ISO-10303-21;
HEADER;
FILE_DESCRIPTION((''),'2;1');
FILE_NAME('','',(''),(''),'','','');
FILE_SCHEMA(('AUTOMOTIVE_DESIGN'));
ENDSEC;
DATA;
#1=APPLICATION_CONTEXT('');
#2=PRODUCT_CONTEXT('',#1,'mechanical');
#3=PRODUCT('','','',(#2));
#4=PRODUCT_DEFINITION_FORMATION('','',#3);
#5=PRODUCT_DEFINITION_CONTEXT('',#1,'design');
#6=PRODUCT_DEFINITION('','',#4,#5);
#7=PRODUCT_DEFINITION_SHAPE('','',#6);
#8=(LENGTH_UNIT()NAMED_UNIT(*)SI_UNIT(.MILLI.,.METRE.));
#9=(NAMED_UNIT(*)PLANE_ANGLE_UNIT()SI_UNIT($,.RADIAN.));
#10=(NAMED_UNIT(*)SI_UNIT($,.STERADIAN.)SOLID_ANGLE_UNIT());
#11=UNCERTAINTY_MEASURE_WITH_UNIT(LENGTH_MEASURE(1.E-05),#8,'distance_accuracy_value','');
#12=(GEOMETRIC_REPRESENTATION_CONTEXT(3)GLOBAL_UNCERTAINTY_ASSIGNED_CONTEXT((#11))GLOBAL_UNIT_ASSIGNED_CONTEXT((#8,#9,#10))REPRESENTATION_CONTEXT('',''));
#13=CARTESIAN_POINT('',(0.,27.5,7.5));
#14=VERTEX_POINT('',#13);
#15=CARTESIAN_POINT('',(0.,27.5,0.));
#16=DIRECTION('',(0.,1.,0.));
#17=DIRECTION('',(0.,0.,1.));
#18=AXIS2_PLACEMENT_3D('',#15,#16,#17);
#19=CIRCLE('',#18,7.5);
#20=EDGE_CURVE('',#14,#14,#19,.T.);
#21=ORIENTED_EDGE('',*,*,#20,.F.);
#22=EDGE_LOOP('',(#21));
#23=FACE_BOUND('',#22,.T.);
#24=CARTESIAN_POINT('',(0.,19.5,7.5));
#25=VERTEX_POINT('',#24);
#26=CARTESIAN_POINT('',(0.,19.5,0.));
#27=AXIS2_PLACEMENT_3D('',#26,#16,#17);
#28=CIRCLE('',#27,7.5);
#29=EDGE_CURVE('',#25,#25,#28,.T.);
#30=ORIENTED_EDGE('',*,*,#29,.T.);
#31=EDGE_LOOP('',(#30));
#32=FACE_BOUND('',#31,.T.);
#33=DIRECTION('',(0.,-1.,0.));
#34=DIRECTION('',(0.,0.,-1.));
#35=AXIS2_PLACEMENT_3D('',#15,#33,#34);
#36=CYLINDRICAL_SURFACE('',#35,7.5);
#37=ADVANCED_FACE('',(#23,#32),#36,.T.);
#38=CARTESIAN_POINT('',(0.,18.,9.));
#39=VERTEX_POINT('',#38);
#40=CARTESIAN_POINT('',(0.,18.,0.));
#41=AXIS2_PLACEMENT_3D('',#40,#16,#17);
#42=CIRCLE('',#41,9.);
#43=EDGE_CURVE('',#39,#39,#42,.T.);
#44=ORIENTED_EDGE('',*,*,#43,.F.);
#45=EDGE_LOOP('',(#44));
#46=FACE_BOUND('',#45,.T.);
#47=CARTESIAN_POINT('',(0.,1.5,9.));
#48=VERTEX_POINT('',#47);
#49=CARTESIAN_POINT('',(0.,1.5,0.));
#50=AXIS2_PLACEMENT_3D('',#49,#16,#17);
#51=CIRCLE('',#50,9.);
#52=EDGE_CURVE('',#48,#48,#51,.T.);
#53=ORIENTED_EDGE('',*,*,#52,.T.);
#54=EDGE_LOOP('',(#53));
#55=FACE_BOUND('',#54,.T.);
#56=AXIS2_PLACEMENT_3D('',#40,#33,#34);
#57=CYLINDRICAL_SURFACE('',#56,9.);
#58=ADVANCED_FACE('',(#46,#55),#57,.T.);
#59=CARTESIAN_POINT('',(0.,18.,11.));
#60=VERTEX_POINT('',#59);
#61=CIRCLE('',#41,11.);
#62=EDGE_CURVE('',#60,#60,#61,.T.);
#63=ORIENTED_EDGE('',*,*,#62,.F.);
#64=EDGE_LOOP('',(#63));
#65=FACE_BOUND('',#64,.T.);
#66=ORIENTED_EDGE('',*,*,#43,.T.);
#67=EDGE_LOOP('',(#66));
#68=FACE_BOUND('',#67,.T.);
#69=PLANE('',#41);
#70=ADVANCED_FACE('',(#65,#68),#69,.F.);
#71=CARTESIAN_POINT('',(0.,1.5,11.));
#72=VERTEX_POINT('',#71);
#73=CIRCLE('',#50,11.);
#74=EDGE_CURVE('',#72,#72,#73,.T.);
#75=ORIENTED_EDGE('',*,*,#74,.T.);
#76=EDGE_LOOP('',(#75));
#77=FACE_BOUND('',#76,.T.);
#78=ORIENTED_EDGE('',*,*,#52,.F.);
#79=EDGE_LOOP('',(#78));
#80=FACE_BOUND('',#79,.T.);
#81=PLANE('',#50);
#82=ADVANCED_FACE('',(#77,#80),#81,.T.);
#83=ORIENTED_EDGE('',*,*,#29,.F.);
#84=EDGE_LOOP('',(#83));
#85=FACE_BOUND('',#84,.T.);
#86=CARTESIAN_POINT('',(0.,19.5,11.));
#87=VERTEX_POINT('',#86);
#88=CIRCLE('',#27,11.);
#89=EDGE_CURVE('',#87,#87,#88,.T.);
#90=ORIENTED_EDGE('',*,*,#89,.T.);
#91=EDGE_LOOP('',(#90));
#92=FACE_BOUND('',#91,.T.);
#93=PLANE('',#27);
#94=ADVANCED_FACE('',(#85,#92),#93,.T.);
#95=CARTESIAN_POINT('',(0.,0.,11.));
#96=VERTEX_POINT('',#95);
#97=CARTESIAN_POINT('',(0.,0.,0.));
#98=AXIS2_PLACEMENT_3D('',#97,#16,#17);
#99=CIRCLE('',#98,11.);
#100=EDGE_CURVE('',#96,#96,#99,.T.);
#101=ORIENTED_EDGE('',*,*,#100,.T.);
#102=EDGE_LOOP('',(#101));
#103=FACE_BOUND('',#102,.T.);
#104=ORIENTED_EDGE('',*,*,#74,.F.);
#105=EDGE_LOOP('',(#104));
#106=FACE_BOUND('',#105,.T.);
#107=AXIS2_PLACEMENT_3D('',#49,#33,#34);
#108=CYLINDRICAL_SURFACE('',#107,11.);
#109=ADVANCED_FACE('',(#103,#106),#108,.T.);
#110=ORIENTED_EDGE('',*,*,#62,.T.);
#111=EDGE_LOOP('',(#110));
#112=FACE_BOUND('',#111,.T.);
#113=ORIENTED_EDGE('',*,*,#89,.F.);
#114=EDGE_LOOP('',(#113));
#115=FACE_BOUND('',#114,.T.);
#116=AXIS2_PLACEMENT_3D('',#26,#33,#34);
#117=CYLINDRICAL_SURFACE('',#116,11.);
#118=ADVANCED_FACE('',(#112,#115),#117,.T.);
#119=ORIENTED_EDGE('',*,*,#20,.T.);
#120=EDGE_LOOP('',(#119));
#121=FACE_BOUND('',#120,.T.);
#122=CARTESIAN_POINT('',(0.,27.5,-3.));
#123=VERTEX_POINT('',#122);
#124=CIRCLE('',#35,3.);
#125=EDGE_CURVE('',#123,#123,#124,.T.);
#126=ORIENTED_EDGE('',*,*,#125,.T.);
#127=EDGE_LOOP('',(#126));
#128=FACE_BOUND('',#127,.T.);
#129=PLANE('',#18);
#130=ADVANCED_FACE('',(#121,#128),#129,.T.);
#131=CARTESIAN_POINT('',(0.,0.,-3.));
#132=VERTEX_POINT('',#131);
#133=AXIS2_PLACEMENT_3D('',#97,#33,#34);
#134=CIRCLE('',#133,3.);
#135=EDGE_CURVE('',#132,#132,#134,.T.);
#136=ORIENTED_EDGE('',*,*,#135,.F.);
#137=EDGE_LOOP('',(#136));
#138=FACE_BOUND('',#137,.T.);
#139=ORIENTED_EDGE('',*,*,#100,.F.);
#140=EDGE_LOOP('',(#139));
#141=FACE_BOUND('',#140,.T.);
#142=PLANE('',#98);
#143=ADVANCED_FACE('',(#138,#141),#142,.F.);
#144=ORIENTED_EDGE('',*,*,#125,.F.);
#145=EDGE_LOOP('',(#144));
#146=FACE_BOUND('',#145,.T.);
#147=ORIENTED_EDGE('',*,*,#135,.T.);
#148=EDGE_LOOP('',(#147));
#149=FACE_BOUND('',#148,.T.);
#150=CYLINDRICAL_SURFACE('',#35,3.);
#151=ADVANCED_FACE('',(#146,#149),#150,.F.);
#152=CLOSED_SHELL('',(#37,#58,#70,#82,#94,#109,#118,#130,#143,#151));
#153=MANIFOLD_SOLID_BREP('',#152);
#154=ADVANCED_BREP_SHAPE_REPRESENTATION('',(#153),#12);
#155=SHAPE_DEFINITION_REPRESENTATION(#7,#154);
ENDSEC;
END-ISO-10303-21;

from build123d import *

# Parameters (mm, degrees)
SKETCH1_R           = 11
BOSS_EXTRUDE1_DEPTH = 1.5
SKETCH2_R           = 9
BOSS_EXTRUDE2_DEPTH = 16.5
BOSS_EXTRUDE3_START = 18
SKETCH1_2_R         = 11
BOSS_EXTRUDE3_DEPTH = 1.5
SKETCH3_R           = 7.5
BOSS_EXTRUDE4_DEPTH = 8
SKETCH4_R           = 3
CUT_EXTRUDE1_DEPTH  = 28.5


with BuildPart() as part:
    # Sketch1 → Boss-Extrude1 (new body)
    with BuildSketch(Plane(origin=(0, 0, 0), x_dir=(1, 0, 0), z_dir=(0, 1, 0))):
        Circle(SKETCH1_R)
    extrude(amount=BOSS_EXTRUDE1_DEPTH)

    # Sketch2 → Boss-Extrude2 (add)
    with BuildSketch(Plane(origin=(0, 1.5, 0), x_dir=(1, 0, 0), z_dir=(0, 1, 0))):
        Circle(SKETCH2_R)
    extrude(amount=BOSS_EXTRUDE2_DEPTH)

    # Sketch1<2> → Boss-Extrude3 (add)
    with BuildSketch(Plane(origin=(0, 0, 0), x_dir=(1, 0, 0), z_dir=(0, 1, 0)).offset(BOSS_EXTRUDE3_START)):
        Circle(SKETCH1_2_R)
    extrude(amount=BOSS_EXTRUDE3_DEPTH)

    # Sketch3 → Boss-Extrude4 (add)
    with BuildSketch(Plane(origin=(0, 19.5, 0), x_dir=(1, 0, 0), z_dir=(0, 1, 0))):
        Circle(SKETCH3_R)
    extrude(amount=BOSS_EXTRUDE4_DEPTH)

    # Sketch4 → Cut-Extrude1 (cut, through all)
    with BuildSketch(Plane.XZ):
        Circle(SKETCH4_R)
    extrude(amount=-CUT_EXTRUDE1_DEPTH, mode=Mode.SUBTRACT)


solid = part.part
